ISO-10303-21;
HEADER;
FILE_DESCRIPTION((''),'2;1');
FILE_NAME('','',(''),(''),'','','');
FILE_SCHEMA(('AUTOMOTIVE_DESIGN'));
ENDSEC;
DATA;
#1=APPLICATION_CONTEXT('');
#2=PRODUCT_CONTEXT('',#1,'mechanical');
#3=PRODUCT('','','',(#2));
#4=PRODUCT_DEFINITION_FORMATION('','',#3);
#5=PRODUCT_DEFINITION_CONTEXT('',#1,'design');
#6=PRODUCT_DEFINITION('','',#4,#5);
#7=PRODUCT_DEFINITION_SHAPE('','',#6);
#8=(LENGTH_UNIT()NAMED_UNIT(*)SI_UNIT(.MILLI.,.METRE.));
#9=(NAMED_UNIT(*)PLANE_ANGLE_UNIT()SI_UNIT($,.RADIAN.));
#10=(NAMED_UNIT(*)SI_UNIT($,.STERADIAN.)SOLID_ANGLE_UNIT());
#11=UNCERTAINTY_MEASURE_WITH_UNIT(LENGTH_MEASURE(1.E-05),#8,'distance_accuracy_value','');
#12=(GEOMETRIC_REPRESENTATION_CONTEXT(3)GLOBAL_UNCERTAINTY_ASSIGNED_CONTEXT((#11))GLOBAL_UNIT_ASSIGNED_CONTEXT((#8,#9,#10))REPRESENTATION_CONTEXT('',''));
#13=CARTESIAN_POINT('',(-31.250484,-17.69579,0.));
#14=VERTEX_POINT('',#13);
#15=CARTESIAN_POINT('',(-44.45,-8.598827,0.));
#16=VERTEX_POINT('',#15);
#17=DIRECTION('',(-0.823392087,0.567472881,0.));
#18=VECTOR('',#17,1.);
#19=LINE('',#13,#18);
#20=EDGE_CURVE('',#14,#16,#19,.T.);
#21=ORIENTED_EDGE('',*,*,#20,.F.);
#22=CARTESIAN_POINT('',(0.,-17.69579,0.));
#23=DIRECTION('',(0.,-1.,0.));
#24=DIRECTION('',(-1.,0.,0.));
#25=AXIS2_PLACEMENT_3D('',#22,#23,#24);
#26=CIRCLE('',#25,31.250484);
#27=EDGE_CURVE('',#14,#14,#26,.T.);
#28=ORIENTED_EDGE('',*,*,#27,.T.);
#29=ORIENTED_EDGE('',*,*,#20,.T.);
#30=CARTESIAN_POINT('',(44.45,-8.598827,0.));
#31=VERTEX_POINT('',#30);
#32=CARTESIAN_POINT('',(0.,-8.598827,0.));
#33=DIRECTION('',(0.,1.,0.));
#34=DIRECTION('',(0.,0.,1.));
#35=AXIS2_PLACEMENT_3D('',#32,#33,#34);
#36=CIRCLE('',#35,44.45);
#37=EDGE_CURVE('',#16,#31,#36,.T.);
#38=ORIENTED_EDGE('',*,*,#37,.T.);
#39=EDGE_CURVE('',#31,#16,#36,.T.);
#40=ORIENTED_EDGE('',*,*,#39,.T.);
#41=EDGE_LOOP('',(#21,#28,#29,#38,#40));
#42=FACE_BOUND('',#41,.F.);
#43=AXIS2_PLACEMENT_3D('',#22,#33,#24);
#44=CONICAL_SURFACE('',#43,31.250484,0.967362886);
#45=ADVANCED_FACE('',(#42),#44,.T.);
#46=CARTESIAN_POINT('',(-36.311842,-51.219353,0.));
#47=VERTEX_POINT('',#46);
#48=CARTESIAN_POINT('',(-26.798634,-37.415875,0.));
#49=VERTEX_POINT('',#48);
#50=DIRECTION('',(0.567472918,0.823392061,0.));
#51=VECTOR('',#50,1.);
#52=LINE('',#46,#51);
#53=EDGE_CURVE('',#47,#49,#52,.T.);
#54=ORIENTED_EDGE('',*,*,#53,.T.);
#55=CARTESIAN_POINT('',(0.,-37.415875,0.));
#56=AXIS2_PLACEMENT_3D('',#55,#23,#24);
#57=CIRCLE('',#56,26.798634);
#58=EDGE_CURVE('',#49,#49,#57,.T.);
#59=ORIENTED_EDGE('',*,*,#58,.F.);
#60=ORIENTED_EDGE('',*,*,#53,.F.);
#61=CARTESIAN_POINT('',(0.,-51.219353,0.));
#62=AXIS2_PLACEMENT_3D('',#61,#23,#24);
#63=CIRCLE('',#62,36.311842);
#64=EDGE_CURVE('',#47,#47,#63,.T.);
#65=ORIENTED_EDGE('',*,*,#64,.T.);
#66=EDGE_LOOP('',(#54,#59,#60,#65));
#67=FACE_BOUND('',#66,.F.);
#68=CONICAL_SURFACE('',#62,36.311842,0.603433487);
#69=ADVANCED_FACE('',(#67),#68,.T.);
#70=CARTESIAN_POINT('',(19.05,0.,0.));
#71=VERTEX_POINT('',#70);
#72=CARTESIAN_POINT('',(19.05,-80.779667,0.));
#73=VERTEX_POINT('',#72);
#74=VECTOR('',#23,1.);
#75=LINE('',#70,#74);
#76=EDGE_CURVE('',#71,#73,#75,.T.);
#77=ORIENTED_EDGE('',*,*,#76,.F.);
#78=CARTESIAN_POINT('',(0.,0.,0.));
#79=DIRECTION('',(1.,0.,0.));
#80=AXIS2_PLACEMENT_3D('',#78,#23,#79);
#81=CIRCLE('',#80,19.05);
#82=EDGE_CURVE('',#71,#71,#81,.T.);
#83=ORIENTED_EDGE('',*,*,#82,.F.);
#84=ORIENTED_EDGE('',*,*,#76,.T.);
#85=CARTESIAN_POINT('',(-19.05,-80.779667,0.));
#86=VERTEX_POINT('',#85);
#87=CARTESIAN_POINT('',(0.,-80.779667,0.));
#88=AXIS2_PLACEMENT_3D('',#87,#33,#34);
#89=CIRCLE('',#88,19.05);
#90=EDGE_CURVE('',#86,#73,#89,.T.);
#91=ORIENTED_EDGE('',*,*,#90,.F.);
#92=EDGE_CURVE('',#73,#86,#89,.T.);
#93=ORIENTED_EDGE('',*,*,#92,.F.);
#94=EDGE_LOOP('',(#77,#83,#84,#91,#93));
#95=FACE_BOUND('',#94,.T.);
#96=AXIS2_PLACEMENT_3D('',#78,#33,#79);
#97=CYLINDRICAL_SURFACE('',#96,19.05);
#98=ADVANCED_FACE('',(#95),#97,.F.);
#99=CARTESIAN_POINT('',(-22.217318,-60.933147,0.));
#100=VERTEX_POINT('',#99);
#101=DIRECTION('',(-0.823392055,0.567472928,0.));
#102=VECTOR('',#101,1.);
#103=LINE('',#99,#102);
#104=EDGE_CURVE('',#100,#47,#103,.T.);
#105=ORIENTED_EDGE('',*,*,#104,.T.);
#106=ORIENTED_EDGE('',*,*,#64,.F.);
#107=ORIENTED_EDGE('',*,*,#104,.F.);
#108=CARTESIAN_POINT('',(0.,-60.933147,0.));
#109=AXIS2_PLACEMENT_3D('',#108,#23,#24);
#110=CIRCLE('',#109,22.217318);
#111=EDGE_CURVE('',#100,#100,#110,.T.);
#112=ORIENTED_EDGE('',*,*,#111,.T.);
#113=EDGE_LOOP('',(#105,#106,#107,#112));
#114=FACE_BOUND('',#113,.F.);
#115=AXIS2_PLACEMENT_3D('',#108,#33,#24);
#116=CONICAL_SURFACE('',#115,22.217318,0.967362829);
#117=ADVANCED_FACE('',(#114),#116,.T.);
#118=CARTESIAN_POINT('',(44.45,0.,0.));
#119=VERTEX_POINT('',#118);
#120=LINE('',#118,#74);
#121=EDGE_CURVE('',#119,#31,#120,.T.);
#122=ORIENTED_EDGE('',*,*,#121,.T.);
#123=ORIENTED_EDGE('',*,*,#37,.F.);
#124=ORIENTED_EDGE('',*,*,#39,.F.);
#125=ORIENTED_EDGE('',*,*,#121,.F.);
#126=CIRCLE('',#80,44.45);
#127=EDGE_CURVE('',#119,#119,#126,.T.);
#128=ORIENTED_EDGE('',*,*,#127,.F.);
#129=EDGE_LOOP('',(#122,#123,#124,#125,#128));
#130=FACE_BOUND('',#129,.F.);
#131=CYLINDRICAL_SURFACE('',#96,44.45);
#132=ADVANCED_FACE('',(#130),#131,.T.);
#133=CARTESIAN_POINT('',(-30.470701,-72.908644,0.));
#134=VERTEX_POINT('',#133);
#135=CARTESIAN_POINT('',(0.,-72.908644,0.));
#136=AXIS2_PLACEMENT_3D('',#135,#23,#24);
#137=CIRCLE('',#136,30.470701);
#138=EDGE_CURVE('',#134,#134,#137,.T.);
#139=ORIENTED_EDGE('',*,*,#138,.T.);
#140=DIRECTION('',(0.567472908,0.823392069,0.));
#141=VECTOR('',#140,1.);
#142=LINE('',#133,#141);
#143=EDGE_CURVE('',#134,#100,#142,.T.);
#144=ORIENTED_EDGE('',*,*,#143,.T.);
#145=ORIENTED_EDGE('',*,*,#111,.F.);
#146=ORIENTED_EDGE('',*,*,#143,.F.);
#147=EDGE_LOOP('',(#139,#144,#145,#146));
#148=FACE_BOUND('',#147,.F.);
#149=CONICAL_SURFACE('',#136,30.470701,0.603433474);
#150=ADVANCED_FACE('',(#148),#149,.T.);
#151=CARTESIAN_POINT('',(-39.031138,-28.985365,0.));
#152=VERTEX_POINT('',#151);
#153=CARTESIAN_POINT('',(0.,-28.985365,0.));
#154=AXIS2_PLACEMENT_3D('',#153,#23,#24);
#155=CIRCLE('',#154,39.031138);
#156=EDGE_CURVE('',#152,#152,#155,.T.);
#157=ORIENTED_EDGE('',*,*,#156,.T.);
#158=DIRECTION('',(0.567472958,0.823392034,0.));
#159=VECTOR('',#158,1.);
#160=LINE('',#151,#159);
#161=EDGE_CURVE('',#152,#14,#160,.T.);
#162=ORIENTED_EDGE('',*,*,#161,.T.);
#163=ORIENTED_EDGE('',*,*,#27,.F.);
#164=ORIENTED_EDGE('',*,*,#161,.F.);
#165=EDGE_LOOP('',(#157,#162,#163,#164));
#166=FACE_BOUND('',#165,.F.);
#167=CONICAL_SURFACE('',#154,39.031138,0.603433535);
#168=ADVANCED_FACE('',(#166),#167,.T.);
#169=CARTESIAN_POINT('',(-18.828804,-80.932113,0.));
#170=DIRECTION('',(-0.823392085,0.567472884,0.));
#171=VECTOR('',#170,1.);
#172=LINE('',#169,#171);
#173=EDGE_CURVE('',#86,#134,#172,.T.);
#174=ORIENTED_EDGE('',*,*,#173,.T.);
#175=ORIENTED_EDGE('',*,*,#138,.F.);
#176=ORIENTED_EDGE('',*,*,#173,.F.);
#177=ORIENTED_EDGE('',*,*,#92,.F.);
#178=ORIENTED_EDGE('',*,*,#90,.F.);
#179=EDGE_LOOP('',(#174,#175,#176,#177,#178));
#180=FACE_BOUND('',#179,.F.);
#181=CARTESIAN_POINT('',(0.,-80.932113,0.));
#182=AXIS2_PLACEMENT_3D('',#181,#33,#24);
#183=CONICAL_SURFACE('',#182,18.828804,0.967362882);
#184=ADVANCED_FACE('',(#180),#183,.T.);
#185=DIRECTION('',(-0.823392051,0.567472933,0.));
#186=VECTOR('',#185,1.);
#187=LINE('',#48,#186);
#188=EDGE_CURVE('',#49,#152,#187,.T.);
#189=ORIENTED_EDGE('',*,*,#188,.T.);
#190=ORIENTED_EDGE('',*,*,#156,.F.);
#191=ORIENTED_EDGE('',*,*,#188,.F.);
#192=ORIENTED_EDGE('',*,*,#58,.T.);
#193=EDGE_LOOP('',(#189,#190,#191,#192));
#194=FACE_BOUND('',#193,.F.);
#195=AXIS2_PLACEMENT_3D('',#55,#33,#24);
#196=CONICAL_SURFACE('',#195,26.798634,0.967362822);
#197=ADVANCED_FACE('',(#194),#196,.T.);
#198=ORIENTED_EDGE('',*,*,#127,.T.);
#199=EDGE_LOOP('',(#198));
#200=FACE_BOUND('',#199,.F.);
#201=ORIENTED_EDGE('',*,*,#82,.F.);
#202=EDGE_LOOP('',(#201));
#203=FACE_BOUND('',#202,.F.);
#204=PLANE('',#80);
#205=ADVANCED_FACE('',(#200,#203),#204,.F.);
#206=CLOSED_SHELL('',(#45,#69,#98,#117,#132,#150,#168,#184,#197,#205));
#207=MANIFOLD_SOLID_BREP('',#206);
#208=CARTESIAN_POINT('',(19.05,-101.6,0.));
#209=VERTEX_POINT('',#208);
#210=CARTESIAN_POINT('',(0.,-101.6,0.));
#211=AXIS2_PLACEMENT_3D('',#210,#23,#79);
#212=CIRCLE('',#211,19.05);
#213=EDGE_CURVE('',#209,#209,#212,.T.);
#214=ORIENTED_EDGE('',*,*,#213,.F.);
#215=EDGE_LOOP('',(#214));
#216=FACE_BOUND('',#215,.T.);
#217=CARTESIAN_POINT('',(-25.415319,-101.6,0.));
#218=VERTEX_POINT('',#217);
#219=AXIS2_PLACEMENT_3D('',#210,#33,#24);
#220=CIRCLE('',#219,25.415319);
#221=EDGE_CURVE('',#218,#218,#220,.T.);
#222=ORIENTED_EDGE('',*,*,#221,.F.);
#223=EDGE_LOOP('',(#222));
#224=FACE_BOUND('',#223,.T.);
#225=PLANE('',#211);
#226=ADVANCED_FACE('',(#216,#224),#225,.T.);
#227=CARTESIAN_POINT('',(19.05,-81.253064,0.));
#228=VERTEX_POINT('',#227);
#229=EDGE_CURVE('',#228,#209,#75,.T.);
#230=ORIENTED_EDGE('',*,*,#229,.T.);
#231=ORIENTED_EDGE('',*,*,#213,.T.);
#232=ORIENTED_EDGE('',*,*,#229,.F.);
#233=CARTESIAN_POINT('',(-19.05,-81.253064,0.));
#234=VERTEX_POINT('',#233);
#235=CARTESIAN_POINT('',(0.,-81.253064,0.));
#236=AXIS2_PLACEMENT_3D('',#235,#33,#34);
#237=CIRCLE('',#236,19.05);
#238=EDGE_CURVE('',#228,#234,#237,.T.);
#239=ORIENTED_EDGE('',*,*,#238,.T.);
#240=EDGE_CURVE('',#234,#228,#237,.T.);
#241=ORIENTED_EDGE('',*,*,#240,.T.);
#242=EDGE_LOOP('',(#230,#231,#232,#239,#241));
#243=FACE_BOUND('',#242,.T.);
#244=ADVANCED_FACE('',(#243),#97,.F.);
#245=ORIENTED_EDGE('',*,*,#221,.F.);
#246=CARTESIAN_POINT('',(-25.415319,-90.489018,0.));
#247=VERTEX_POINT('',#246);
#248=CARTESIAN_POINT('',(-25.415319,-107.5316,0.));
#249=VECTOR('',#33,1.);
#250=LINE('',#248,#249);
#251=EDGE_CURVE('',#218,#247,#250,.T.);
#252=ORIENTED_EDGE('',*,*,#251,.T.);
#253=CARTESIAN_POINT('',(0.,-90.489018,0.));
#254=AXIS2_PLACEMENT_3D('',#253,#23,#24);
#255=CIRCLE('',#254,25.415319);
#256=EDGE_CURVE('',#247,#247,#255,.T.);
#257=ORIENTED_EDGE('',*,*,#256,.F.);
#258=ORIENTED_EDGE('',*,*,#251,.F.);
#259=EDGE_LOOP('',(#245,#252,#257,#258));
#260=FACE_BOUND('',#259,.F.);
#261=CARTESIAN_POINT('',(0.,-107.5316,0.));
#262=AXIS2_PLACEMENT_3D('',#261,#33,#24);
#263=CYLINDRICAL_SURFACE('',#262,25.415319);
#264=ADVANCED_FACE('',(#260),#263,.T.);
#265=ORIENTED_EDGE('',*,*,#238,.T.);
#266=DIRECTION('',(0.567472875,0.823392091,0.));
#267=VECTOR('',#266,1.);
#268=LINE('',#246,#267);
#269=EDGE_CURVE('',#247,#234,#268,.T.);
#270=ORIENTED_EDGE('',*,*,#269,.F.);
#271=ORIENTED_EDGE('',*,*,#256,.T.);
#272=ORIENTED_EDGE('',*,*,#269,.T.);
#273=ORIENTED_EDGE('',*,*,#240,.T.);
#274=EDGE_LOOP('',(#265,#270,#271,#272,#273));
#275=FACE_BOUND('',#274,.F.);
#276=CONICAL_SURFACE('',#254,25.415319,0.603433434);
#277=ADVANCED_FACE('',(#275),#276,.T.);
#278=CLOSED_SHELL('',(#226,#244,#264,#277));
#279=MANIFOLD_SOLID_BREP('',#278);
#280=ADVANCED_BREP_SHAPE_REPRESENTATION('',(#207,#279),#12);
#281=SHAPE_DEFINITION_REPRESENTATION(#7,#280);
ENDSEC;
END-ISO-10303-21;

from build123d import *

# Parameters (mm, degrees)
F0_R     = 44.45
F0_R_2   = 19.05
F1_DEPTH = 101.6


with BuildPart() as f1:
    # F0 (on Front) → F1 (new body)
    with BuildSketch(Plane.XZ):
        Circle(F0_R)
        Circle(F0_R_2, mode=Mode.SUBTRACT)
    extrude(amount=F1_DEPTH)

    # F2 (on Top) → F3 (revolve, cut)
    with BuildSketch(Plane.XY):
        Polygon((-31.250484, -17.69579), (-44.997793, -8.221294), (-61.655592, -107.5316), (-25.415319, -107.5316), (-25.415319, -90.489018), (-18.828804, -80.932113), (-30.470701, -72.908644), (-22.217318, -60.933147), (-36.311842, -51.219353), (-26.798634, -37.415875), (-39.031138, -28.985365), align=None)
    revolve(axis=Axis((0, 0, 0), (0, -1, 0)), mode=Mode.SUBTRACT)


solid = f1.part
